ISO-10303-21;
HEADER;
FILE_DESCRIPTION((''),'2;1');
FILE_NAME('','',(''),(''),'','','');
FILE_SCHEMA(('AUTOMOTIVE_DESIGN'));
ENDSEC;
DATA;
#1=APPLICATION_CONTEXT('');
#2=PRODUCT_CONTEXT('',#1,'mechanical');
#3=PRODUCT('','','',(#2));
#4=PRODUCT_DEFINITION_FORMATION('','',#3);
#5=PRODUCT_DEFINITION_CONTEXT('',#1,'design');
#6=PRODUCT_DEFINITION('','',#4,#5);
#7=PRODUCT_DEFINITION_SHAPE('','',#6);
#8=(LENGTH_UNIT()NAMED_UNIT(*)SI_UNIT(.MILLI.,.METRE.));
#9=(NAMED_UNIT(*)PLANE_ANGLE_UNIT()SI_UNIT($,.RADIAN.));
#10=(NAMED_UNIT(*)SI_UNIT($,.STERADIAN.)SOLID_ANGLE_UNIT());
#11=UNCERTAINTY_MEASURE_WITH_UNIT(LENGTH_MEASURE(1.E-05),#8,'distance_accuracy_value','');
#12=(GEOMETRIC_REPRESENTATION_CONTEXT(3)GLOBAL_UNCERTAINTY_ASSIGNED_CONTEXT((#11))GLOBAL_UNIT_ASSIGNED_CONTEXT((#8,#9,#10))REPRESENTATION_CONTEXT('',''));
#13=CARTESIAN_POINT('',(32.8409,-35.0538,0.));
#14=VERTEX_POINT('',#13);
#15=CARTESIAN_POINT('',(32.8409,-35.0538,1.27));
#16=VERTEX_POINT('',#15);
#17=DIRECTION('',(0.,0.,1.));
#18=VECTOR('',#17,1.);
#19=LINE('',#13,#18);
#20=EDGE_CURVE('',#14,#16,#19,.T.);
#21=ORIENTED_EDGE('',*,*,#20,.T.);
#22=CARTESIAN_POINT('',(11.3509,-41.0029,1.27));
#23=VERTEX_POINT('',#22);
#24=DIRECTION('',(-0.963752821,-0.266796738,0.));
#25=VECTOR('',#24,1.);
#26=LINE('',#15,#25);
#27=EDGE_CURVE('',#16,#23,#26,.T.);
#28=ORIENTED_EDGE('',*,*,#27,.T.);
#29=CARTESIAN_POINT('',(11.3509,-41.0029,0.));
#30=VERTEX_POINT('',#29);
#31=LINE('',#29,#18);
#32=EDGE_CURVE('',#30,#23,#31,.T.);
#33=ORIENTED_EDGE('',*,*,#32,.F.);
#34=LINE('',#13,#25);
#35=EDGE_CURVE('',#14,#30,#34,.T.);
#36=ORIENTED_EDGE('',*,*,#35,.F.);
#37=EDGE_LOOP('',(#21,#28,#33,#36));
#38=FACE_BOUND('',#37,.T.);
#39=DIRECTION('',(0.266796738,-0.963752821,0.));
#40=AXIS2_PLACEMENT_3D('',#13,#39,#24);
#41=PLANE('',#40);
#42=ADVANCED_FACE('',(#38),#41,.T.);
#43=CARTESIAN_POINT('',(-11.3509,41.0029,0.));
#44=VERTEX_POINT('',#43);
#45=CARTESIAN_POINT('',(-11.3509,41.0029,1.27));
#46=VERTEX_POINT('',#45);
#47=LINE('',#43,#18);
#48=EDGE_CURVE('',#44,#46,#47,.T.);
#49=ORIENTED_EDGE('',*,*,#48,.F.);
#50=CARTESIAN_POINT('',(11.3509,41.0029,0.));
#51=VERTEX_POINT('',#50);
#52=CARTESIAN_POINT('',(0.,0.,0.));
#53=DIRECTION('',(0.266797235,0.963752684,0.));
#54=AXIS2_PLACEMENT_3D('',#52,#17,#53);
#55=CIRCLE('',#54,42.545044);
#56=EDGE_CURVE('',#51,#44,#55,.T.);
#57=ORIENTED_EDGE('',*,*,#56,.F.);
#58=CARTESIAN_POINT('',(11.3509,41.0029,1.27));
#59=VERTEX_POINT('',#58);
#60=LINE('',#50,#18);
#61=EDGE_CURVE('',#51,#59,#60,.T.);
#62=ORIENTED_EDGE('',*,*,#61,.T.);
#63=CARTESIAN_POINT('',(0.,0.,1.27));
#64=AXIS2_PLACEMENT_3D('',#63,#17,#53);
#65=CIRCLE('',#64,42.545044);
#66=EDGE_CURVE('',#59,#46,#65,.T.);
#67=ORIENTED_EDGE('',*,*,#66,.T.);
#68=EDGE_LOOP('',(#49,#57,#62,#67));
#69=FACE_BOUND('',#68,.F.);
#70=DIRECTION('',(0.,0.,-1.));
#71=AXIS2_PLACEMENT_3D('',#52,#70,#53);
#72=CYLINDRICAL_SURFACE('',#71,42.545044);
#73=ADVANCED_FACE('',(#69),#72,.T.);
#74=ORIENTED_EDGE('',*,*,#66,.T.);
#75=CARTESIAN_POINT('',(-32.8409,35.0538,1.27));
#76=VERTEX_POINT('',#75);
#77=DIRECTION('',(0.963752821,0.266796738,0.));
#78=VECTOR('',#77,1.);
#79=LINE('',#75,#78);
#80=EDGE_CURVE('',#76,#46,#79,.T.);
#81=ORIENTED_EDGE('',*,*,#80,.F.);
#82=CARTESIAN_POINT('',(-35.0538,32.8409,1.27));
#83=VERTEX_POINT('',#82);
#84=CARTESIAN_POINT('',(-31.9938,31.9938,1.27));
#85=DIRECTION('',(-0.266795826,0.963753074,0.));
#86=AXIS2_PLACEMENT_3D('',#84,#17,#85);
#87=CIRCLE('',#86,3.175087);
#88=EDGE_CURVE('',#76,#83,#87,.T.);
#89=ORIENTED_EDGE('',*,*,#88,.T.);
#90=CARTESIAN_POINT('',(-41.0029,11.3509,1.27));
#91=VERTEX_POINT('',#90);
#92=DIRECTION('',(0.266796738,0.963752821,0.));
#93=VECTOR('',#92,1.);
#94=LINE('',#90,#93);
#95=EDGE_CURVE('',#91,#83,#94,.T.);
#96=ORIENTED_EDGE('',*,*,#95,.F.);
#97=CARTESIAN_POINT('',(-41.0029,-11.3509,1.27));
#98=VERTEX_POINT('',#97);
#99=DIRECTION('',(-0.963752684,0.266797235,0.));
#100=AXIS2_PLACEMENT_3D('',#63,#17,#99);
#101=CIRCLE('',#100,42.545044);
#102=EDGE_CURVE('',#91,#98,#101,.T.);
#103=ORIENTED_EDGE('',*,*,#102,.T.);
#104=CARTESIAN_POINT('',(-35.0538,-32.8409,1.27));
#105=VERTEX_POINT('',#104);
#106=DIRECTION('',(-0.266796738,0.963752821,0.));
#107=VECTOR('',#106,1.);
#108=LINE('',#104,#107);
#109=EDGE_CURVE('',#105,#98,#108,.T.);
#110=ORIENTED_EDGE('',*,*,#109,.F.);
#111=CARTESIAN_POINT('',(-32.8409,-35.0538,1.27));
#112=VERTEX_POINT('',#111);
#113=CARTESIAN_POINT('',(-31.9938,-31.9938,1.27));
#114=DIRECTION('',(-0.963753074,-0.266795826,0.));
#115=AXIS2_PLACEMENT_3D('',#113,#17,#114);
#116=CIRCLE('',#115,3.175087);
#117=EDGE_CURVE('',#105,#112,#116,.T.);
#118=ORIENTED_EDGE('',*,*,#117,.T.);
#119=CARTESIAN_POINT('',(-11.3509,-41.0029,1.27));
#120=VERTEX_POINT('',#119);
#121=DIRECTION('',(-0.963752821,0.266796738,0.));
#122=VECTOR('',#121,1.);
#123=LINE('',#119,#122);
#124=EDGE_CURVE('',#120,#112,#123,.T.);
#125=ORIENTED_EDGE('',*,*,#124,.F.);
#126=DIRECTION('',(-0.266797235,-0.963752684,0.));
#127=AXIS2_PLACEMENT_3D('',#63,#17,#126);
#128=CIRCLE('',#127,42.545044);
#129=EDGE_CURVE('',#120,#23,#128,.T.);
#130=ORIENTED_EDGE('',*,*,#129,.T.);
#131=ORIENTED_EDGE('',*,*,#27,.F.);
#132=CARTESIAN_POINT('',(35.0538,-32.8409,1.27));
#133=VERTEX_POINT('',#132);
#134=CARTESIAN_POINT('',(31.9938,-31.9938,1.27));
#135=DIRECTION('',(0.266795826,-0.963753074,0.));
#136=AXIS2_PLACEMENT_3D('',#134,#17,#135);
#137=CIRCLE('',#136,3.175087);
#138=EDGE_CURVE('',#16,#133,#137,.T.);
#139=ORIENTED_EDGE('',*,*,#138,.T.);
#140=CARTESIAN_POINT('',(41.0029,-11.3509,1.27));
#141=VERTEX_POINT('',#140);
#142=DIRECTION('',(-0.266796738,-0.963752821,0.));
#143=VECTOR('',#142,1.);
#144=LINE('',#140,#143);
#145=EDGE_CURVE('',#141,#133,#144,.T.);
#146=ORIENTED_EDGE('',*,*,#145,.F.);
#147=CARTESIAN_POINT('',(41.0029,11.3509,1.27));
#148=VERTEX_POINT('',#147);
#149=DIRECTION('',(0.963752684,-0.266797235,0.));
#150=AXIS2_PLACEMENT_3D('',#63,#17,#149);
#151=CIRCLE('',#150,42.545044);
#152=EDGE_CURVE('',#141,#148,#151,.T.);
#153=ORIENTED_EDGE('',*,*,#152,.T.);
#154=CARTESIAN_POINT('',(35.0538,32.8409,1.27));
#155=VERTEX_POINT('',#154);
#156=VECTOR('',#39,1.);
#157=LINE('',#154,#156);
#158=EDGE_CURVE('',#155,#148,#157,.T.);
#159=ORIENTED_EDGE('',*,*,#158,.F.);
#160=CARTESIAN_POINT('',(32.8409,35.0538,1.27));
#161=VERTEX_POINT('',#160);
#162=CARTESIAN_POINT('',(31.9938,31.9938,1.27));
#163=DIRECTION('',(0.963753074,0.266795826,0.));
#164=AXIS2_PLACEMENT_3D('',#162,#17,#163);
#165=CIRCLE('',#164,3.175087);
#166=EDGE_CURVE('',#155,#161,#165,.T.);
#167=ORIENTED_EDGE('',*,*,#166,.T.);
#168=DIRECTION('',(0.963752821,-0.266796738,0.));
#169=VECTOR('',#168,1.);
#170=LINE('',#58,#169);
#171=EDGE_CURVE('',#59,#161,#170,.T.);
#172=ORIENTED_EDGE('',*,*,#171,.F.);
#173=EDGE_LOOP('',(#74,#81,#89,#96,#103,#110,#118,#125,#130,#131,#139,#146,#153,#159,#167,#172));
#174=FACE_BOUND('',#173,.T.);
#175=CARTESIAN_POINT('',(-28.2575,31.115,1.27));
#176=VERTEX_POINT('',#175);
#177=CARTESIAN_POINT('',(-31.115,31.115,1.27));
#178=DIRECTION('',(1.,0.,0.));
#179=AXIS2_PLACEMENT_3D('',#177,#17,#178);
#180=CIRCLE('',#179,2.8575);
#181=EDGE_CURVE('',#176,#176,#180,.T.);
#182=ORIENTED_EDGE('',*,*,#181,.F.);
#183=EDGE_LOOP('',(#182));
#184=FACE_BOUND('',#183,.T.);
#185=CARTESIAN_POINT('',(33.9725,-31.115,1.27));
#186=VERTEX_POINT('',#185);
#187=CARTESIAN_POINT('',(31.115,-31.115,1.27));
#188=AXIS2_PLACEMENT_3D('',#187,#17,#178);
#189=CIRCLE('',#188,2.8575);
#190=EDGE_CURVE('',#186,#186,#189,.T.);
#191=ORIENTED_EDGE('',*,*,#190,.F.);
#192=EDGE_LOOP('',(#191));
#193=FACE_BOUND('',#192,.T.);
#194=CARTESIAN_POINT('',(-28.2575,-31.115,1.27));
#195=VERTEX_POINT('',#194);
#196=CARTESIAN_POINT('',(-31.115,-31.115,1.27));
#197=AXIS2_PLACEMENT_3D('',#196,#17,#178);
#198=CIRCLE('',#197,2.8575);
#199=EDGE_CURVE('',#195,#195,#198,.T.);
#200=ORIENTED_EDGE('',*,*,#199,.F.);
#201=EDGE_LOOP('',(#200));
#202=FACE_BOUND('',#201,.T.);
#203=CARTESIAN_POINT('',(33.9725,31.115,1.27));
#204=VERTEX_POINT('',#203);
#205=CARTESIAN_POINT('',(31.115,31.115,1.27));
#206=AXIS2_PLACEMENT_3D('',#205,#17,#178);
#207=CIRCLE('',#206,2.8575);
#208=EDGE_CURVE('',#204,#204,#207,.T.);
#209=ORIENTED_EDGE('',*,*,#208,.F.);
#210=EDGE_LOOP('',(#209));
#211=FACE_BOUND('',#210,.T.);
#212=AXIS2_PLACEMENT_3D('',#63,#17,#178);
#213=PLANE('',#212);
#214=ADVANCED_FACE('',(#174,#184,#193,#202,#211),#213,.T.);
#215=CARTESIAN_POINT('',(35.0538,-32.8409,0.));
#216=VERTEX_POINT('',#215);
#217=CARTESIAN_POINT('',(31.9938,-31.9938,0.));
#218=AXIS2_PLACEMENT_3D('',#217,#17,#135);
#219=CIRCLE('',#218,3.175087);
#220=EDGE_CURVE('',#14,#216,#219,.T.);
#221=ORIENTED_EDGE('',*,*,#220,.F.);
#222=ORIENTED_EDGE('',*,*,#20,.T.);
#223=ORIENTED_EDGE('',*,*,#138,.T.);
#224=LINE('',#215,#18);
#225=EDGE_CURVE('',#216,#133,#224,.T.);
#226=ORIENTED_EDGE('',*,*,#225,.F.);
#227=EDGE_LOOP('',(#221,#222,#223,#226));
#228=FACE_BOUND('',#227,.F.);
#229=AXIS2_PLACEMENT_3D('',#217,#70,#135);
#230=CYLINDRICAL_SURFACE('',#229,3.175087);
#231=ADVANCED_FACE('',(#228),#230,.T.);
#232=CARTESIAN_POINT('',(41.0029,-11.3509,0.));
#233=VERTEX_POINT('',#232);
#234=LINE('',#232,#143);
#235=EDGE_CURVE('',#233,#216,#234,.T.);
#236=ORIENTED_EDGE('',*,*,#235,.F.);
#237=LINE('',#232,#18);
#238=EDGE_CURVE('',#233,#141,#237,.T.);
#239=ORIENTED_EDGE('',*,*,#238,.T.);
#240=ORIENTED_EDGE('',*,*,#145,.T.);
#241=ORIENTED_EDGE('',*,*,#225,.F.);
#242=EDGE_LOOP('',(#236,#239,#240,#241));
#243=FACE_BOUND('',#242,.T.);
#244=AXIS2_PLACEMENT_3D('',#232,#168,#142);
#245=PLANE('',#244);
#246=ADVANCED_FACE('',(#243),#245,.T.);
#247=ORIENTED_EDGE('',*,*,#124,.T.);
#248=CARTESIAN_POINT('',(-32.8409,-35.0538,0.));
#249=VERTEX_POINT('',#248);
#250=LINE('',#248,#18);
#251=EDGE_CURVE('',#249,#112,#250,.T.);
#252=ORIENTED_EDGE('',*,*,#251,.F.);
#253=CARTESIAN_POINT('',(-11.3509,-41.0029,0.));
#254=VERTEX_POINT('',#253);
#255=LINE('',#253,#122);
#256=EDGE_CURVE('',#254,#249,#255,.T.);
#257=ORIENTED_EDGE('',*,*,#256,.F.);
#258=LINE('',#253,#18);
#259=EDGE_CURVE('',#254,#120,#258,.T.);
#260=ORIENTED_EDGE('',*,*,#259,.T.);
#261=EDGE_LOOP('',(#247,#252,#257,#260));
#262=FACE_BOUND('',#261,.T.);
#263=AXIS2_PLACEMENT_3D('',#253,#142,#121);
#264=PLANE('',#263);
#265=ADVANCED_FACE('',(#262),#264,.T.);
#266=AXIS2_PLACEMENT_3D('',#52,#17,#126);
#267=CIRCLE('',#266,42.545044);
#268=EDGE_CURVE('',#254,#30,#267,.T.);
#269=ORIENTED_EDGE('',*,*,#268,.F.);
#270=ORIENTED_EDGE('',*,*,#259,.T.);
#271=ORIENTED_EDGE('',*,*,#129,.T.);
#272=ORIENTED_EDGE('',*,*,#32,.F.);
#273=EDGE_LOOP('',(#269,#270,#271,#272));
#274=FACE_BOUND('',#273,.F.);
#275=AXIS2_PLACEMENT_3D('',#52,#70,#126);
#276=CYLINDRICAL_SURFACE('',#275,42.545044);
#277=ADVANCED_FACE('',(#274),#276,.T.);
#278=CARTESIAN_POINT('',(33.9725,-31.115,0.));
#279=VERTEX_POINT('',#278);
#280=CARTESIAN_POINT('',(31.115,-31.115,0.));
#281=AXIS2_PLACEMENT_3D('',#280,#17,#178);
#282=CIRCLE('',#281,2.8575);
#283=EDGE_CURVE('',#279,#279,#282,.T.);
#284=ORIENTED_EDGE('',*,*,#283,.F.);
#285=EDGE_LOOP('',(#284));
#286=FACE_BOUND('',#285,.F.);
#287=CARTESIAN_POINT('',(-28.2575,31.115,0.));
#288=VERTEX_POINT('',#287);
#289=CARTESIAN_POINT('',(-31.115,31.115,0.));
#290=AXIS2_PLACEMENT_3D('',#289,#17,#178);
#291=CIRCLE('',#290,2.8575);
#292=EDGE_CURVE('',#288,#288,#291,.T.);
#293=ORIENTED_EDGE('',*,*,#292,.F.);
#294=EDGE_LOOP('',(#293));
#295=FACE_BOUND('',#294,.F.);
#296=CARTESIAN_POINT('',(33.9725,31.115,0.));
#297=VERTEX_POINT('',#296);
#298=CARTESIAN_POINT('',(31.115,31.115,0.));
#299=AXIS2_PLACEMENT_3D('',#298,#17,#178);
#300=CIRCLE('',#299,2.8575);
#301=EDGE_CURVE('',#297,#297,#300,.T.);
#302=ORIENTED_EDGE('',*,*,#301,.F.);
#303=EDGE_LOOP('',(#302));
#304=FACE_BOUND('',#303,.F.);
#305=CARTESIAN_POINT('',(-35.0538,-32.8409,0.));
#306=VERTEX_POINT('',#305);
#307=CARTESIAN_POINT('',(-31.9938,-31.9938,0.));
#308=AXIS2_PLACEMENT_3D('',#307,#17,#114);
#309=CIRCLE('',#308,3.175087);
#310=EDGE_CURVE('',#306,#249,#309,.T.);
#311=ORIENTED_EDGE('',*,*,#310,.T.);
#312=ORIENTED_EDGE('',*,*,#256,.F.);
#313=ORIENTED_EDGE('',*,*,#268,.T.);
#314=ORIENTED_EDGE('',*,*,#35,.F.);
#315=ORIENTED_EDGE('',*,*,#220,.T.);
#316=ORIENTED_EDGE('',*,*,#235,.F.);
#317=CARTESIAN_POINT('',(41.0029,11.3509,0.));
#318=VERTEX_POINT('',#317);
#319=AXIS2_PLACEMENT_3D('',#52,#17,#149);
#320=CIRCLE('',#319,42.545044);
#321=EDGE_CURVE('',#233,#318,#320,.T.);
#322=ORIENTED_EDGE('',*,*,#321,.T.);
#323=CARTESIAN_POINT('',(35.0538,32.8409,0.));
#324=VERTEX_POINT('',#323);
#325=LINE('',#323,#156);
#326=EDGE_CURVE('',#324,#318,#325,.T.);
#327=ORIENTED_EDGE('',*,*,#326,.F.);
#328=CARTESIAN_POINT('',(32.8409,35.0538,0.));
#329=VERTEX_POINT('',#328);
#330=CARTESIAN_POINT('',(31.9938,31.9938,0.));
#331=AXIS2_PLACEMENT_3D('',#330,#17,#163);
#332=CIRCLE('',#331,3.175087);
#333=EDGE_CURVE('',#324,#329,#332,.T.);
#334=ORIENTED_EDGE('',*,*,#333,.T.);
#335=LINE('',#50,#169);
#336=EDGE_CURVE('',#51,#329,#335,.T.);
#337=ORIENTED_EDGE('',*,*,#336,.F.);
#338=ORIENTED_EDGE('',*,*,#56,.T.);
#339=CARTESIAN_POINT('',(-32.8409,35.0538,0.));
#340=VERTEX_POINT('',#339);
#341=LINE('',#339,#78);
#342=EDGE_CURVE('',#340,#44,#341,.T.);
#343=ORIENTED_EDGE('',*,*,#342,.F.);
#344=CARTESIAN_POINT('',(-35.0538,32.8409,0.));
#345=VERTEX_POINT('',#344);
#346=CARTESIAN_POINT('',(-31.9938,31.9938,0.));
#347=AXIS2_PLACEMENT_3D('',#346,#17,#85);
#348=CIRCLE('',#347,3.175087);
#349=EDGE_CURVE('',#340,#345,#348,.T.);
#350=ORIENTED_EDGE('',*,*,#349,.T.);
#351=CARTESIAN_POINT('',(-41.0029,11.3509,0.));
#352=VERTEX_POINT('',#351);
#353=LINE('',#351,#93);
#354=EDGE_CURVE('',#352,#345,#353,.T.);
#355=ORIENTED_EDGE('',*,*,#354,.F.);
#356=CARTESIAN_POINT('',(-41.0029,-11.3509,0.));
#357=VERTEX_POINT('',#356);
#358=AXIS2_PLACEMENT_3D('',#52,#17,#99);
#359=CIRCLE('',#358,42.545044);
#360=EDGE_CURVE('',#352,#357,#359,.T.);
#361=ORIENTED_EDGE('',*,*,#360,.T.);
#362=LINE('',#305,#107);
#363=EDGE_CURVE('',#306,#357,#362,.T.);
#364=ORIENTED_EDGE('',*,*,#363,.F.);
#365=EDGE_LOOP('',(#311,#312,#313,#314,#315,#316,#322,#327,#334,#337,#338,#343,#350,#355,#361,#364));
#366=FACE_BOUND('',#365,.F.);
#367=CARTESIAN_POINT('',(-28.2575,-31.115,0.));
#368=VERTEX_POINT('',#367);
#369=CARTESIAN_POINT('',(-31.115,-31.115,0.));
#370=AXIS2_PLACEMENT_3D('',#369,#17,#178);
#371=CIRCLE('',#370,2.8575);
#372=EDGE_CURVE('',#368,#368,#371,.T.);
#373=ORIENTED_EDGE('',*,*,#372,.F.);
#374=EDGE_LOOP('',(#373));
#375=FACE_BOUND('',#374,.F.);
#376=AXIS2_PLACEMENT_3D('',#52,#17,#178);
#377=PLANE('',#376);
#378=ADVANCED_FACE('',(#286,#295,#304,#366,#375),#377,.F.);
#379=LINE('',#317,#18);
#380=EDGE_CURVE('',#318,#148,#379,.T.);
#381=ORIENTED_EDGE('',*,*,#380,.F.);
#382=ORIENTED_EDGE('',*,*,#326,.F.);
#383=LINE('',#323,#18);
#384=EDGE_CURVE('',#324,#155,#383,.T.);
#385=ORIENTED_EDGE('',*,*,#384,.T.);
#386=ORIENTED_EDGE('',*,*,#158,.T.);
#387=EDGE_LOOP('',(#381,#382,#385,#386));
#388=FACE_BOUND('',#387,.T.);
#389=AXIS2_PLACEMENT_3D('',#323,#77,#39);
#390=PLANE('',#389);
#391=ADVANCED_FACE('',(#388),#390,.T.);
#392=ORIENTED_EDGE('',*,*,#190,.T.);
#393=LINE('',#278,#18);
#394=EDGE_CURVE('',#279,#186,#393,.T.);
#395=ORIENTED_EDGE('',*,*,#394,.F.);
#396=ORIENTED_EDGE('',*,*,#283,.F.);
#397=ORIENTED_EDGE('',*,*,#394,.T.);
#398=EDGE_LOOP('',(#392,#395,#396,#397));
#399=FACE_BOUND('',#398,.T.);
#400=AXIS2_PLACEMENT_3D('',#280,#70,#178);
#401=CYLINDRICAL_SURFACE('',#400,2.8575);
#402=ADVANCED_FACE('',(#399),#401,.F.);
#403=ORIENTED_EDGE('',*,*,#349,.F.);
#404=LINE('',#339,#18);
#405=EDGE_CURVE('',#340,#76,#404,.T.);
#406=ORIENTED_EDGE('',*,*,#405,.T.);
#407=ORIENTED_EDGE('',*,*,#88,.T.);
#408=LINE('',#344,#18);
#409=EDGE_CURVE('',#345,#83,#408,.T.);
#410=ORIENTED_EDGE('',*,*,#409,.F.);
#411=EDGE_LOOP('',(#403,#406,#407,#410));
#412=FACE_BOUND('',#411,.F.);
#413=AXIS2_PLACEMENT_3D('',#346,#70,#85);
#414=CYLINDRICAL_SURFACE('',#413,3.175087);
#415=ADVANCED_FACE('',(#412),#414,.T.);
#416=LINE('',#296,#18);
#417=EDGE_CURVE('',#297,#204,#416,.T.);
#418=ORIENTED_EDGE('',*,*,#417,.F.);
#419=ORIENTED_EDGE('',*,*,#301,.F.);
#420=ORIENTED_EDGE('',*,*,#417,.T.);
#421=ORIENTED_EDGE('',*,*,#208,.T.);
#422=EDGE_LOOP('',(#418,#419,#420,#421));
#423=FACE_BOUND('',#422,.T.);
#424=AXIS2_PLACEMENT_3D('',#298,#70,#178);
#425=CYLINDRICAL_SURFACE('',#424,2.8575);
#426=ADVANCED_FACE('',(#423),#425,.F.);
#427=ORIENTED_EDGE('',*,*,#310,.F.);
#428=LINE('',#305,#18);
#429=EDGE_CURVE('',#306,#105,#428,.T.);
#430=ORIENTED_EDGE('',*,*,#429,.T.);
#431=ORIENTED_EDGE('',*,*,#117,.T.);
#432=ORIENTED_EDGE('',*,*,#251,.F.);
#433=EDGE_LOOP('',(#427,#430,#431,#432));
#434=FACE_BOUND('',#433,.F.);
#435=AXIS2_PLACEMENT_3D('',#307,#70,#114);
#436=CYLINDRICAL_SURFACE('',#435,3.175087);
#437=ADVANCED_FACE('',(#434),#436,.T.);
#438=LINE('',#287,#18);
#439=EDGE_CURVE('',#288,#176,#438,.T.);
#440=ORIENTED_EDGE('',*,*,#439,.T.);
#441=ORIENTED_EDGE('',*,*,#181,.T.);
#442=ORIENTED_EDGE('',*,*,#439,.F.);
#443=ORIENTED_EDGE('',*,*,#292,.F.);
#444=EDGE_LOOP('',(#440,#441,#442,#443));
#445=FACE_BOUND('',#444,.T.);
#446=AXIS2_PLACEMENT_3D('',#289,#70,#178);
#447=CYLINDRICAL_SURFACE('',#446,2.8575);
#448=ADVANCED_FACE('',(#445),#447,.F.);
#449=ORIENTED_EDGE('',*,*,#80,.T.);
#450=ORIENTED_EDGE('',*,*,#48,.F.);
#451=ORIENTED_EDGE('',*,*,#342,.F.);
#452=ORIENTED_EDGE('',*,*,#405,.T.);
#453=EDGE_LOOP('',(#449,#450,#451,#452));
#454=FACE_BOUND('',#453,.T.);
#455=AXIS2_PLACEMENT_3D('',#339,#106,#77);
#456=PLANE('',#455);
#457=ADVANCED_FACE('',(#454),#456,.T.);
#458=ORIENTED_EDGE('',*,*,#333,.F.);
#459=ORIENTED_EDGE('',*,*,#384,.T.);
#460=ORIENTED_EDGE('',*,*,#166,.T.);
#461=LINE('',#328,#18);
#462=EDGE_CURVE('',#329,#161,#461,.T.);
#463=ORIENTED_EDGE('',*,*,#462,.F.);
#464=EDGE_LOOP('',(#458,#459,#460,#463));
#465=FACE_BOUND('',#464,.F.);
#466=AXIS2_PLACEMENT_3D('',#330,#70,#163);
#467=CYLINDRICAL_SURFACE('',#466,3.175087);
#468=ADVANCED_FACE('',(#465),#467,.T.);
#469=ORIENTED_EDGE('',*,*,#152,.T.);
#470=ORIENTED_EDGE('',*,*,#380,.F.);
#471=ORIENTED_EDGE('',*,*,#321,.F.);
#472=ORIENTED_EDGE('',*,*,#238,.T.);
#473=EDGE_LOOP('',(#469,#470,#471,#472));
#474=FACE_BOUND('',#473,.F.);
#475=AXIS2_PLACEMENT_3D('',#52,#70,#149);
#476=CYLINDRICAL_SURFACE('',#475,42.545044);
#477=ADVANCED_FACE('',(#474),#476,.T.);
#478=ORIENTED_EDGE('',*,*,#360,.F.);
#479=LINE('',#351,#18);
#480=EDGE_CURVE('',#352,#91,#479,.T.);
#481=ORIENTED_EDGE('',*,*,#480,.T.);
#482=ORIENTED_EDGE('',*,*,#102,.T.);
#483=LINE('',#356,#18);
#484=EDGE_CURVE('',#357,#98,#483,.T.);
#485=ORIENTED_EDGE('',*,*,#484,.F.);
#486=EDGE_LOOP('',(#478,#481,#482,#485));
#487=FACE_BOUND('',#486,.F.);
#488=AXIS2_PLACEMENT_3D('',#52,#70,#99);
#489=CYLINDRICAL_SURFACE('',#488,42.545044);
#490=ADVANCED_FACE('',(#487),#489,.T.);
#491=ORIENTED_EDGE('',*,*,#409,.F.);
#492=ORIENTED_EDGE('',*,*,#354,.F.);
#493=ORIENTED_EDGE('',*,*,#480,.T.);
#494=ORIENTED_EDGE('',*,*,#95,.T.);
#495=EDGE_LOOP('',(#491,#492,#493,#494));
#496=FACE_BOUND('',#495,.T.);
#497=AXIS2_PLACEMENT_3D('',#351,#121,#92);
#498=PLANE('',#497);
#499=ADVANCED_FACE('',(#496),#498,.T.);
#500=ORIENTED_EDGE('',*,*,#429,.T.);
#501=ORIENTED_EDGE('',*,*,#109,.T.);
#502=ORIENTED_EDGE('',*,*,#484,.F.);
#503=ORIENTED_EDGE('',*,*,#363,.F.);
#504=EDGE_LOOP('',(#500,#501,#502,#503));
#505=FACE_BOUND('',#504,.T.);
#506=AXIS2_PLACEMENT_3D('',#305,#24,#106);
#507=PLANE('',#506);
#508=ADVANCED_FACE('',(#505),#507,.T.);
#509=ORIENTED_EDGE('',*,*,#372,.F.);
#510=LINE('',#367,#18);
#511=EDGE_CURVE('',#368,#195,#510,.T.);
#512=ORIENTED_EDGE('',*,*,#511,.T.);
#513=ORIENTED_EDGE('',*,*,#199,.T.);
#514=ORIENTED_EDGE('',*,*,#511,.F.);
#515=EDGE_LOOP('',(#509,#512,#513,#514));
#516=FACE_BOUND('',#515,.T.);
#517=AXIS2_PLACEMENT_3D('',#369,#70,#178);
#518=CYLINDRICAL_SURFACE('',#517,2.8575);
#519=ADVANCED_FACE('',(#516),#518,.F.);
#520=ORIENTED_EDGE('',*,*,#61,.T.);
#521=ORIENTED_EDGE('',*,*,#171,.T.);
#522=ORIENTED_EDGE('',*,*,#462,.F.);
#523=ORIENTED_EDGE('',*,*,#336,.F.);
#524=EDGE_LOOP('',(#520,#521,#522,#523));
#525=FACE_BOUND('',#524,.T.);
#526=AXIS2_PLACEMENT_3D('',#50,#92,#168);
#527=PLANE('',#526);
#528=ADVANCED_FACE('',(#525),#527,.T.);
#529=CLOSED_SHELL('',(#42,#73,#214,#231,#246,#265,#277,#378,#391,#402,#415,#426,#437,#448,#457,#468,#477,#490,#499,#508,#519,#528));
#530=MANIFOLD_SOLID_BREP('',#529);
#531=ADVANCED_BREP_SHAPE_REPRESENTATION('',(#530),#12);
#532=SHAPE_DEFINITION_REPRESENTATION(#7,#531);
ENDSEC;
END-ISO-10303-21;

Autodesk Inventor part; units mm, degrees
ref_plane "YZ Plane" through (0, 0, 0) normal (1, 0, 0) x (0, 1, 0)
ref_plane "XZ Plane" through (0, 0, 0) normal (0, 1, 0) x (-1, 0, 0)
ref_plane "XY Plane" through (0, 0, 0) normal (0, 0, 1) x (1, 0, 0)
sketch "Sketch1" plane through (0, 0, 0) normal (0, 0, 1) x (1, 0, 0)
  circle A0 centre (31.115, 31.115) radius 2.8575
  line L0 (35.0538, 32.8409) -> (41.0029, 11.3509)
  arc A1 (35.0538, 32.8409) -> (32.8409, 35.0538) centre (31.9938, 31.9938) ccw
  line L1 (11.3509, 41.0029) -> (32.8409, 35.0538)
  arc A2 (41.0029, -11.3509) -> (41.0029, 11.3509) centre (0, 0) ccw
  line L2 (41.0029, -11.3509) -> (35.0538, -32.8409)
  line L3 (32.8409, -35.0538) -> (11.3509, -41.0029)
  arc A3 (32.8409, -35.0538) -> (35.0538, -32.8409) centre (31.9938, -31.9938) ccw
  arc A4 (-11.3509, -41.0029) -> (11.3509, -41.0029) centre (0, 0) ccw
  line L4 (-11.3509, -41.0029) -> (-32.8409, -35.0538)
  arc A5 (-35.0538, -32.8409) -> (-32.8409, -35.0538) centre (-31.9938, -31.9938) ccw
  line L5 (-35.0538, -32.8409) -> (-41.0029, -11.3509)
  arc A6 (-41.0029, 11.3509) -> (-41.0029, -11.3509) centre (0, 0) ccw
  line L6 (-41.0029, 11.3509) -> (-35.0538, 32.8409)
  arc A7 (-32.8409, 35.0538) -> (-35.0538, 32.8409) centre (-31.9938, 31.9938) ccw
  line L7 (-32.8409, 35.0538) -> (-11.3509, 41.0029)
  circle A8 centre (-31.115, 31.115) radius 2.8575
  circle A9 centre (-31.115, 31.115) radius 1.5875
  circle A10 centre (31.115, 31.115) radius 1.5875
  circle A11 centre (31.115, -31.115) radius 2.8575
  circle A12 centre (31.115, -31.115) radius 1.5875
  circle A13 centre (-31.115, -31.115) radius 2.8575
  circle A14 centre (-31.115, -31.115) radius 1.5875
  arc A15 (11.3509, 41.0029) -> (-11.3509, 41.0029) centre (0, 0) ccw
  point P0 (0, 0)
extrude "Extrusion1" add sketch "Sketch1" along normal blind 1.27 contours L0 A2 L2 A3 L3 A4 L4 A5 L5 A6 L6 A7 L7 A15 L1 A1
properties part number "Back Plate 2 1764"
